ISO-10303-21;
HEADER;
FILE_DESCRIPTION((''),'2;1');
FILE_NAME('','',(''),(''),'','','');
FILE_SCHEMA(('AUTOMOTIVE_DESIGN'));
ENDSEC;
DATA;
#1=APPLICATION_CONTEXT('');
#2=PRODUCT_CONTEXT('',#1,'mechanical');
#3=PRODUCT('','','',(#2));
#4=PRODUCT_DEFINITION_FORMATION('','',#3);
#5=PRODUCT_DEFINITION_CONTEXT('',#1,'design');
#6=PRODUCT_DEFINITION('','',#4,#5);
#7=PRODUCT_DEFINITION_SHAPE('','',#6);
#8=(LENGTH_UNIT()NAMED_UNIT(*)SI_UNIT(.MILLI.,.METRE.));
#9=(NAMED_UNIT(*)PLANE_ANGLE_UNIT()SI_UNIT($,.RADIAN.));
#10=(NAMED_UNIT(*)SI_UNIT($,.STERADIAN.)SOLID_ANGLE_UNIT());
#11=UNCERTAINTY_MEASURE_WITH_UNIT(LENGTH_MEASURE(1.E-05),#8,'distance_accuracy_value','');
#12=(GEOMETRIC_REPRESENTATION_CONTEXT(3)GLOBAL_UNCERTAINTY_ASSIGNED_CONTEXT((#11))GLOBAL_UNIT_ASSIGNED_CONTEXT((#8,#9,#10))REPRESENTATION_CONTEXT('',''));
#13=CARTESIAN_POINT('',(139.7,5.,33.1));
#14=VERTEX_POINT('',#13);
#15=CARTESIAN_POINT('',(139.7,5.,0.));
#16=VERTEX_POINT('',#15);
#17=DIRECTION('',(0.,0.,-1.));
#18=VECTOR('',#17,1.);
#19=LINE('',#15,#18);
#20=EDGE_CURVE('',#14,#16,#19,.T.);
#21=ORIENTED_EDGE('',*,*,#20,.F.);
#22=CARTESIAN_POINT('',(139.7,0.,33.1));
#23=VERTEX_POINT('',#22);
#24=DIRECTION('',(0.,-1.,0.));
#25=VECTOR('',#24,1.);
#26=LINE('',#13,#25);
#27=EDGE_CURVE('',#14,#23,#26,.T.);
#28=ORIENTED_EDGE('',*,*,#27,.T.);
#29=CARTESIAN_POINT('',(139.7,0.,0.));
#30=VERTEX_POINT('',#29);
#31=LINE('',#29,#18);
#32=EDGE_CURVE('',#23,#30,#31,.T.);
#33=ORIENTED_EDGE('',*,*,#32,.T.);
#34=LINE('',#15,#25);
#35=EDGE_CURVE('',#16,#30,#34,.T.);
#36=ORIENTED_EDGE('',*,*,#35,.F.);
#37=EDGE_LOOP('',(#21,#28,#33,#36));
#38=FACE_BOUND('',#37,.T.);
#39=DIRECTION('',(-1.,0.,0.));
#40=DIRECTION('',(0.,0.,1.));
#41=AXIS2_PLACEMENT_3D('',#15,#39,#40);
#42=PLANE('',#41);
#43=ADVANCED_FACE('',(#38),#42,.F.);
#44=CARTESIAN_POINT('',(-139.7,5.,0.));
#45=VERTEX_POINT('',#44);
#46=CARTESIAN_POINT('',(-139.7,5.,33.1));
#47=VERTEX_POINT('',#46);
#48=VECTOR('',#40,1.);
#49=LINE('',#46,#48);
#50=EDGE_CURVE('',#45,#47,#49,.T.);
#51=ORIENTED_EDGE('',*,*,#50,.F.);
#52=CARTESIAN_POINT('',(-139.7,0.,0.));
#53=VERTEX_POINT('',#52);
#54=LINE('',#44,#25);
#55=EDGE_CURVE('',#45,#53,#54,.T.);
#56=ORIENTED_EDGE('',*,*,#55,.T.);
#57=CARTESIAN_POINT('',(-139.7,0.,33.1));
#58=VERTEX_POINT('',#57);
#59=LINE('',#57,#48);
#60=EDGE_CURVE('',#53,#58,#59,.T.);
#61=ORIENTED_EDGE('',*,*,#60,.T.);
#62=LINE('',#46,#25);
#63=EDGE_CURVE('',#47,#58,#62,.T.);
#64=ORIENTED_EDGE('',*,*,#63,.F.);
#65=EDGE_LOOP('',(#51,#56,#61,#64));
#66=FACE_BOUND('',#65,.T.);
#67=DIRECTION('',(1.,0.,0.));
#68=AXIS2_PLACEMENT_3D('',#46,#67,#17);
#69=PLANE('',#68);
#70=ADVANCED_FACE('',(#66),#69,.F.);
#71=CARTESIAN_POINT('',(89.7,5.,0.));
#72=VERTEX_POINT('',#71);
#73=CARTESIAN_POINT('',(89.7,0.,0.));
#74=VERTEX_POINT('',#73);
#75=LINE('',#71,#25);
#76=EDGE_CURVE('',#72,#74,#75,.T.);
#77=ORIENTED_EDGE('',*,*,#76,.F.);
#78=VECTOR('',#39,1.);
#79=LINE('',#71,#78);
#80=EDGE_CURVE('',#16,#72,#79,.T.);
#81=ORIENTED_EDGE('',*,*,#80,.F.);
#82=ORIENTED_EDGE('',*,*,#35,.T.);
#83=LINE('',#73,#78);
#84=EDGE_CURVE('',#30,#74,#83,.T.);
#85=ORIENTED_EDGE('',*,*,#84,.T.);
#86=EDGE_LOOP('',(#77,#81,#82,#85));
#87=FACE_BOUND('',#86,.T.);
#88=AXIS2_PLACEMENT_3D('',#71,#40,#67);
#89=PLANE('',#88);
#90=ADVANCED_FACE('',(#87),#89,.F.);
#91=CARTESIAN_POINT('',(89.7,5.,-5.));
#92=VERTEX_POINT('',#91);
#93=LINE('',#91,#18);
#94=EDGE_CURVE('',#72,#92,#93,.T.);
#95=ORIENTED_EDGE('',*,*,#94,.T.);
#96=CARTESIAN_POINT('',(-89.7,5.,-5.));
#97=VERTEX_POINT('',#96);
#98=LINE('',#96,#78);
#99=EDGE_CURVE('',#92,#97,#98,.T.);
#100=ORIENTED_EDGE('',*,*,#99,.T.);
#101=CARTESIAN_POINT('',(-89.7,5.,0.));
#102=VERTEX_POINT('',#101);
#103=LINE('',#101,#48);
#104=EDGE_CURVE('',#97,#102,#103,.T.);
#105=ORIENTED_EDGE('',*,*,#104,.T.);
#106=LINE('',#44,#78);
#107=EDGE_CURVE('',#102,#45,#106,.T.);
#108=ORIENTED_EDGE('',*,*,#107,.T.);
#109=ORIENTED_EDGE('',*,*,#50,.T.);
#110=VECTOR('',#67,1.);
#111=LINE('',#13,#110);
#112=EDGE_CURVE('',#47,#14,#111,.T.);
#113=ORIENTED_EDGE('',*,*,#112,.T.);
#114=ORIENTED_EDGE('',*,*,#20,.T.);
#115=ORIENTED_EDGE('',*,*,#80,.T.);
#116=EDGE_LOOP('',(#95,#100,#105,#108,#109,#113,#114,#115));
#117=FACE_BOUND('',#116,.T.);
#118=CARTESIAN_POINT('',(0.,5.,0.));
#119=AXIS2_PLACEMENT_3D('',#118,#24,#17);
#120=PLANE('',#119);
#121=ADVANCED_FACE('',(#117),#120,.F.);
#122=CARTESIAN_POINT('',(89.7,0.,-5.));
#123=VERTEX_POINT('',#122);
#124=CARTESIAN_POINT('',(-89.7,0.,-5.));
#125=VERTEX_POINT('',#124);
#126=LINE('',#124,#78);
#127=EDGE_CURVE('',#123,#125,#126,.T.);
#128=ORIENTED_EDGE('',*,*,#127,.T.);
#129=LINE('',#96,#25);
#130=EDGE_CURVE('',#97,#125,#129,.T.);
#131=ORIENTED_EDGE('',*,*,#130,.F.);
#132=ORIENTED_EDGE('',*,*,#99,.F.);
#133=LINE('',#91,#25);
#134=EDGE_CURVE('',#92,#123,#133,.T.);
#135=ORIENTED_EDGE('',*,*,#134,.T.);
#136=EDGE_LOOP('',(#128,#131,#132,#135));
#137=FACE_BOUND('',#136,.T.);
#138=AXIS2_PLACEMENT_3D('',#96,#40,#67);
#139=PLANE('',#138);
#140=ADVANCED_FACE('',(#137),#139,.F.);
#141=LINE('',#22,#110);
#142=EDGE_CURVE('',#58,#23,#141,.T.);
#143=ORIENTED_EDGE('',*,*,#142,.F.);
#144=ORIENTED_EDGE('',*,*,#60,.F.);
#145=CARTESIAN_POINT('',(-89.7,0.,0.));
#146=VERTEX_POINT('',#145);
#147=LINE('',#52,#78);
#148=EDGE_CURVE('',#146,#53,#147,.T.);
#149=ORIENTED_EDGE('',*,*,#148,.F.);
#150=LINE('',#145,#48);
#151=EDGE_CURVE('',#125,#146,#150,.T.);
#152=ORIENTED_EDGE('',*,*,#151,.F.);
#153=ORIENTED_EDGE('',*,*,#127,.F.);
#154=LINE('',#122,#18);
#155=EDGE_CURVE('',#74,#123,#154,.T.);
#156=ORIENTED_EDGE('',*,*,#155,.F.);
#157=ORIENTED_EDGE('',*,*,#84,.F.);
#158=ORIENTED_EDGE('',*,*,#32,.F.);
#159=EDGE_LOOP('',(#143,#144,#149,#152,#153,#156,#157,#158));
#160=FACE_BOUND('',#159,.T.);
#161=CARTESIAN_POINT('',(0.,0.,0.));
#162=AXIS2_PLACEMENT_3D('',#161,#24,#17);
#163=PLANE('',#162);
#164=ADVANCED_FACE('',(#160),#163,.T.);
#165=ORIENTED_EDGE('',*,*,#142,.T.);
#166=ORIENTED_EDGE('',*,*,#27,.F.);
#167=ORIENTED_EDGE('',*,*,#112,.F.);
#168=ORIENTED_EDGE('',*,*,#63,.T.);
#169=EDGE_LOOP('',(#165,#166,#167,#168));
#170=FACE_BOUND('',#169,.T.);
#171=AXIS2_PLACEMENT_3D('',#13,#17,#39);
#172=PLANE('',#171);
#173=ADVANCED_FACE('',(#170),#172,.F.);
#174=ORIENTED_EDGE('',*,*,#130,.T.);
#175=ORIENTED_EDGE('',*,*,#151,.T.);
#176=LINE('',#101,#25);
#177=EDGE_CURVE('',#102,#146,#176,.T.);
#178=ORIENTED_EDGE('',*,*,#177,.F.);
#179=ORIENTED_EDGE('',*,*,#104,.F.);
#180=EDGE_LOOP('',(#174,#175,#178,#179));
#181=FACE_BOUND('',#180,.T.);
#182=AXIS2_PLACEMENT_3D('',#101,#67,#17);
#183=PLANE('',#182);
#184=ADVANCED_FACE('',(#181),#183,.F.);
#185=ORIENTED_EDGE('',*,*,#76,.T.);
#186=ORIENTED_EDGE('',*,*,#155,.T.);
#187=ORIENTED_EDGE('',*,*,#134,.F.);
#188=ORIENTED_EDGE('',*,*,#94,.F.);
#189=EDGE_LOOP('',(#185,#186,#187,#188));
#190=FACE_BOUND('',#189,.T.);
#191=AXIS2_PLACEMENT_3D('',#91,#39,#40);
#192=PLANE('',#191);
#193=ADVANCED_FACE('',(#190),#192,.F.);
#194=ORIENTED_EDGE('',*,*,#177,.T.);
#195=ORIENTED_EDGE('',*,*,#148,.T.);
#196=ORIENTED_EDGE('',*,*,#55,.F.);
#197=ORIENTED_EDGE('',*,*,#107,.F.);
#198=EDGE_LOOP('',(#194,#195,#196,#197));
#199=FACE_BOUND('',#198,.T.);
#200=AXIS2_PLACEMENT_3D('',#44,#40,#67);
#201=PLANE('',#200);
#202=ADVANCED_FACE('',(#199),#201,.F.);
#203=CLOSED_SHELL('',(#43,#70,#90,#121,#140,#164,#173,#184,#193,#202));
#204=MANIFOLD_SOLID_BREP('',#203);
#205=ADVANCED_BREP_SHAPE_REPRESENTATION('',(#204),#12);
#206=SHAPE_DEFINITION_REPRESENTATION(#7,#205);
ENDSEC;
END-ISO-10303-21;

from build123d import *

# Parameters (mm, degrees)
BOSS_EXTRUDE1_DEPTH = 5


with BuildPart() as part:
    # Sketch1 → Boss-Extrude1 (new body)
    with BuildSketch(Plane(origin=(0, 0, 0), x_dir=(1, 0, 0), z_dir=(0, 1, 0))):
        Polygon((-139.7, -33.1), (-139.7, 0), (-89.7, 0), (-89.7, 5), (89.7, 5), (89.7, 0), (139.7, 0), (139.7, -33.1), align=None)
    extrude(amount=BOSS_EXTRUDE1_DEPTH)


solid = part.part
